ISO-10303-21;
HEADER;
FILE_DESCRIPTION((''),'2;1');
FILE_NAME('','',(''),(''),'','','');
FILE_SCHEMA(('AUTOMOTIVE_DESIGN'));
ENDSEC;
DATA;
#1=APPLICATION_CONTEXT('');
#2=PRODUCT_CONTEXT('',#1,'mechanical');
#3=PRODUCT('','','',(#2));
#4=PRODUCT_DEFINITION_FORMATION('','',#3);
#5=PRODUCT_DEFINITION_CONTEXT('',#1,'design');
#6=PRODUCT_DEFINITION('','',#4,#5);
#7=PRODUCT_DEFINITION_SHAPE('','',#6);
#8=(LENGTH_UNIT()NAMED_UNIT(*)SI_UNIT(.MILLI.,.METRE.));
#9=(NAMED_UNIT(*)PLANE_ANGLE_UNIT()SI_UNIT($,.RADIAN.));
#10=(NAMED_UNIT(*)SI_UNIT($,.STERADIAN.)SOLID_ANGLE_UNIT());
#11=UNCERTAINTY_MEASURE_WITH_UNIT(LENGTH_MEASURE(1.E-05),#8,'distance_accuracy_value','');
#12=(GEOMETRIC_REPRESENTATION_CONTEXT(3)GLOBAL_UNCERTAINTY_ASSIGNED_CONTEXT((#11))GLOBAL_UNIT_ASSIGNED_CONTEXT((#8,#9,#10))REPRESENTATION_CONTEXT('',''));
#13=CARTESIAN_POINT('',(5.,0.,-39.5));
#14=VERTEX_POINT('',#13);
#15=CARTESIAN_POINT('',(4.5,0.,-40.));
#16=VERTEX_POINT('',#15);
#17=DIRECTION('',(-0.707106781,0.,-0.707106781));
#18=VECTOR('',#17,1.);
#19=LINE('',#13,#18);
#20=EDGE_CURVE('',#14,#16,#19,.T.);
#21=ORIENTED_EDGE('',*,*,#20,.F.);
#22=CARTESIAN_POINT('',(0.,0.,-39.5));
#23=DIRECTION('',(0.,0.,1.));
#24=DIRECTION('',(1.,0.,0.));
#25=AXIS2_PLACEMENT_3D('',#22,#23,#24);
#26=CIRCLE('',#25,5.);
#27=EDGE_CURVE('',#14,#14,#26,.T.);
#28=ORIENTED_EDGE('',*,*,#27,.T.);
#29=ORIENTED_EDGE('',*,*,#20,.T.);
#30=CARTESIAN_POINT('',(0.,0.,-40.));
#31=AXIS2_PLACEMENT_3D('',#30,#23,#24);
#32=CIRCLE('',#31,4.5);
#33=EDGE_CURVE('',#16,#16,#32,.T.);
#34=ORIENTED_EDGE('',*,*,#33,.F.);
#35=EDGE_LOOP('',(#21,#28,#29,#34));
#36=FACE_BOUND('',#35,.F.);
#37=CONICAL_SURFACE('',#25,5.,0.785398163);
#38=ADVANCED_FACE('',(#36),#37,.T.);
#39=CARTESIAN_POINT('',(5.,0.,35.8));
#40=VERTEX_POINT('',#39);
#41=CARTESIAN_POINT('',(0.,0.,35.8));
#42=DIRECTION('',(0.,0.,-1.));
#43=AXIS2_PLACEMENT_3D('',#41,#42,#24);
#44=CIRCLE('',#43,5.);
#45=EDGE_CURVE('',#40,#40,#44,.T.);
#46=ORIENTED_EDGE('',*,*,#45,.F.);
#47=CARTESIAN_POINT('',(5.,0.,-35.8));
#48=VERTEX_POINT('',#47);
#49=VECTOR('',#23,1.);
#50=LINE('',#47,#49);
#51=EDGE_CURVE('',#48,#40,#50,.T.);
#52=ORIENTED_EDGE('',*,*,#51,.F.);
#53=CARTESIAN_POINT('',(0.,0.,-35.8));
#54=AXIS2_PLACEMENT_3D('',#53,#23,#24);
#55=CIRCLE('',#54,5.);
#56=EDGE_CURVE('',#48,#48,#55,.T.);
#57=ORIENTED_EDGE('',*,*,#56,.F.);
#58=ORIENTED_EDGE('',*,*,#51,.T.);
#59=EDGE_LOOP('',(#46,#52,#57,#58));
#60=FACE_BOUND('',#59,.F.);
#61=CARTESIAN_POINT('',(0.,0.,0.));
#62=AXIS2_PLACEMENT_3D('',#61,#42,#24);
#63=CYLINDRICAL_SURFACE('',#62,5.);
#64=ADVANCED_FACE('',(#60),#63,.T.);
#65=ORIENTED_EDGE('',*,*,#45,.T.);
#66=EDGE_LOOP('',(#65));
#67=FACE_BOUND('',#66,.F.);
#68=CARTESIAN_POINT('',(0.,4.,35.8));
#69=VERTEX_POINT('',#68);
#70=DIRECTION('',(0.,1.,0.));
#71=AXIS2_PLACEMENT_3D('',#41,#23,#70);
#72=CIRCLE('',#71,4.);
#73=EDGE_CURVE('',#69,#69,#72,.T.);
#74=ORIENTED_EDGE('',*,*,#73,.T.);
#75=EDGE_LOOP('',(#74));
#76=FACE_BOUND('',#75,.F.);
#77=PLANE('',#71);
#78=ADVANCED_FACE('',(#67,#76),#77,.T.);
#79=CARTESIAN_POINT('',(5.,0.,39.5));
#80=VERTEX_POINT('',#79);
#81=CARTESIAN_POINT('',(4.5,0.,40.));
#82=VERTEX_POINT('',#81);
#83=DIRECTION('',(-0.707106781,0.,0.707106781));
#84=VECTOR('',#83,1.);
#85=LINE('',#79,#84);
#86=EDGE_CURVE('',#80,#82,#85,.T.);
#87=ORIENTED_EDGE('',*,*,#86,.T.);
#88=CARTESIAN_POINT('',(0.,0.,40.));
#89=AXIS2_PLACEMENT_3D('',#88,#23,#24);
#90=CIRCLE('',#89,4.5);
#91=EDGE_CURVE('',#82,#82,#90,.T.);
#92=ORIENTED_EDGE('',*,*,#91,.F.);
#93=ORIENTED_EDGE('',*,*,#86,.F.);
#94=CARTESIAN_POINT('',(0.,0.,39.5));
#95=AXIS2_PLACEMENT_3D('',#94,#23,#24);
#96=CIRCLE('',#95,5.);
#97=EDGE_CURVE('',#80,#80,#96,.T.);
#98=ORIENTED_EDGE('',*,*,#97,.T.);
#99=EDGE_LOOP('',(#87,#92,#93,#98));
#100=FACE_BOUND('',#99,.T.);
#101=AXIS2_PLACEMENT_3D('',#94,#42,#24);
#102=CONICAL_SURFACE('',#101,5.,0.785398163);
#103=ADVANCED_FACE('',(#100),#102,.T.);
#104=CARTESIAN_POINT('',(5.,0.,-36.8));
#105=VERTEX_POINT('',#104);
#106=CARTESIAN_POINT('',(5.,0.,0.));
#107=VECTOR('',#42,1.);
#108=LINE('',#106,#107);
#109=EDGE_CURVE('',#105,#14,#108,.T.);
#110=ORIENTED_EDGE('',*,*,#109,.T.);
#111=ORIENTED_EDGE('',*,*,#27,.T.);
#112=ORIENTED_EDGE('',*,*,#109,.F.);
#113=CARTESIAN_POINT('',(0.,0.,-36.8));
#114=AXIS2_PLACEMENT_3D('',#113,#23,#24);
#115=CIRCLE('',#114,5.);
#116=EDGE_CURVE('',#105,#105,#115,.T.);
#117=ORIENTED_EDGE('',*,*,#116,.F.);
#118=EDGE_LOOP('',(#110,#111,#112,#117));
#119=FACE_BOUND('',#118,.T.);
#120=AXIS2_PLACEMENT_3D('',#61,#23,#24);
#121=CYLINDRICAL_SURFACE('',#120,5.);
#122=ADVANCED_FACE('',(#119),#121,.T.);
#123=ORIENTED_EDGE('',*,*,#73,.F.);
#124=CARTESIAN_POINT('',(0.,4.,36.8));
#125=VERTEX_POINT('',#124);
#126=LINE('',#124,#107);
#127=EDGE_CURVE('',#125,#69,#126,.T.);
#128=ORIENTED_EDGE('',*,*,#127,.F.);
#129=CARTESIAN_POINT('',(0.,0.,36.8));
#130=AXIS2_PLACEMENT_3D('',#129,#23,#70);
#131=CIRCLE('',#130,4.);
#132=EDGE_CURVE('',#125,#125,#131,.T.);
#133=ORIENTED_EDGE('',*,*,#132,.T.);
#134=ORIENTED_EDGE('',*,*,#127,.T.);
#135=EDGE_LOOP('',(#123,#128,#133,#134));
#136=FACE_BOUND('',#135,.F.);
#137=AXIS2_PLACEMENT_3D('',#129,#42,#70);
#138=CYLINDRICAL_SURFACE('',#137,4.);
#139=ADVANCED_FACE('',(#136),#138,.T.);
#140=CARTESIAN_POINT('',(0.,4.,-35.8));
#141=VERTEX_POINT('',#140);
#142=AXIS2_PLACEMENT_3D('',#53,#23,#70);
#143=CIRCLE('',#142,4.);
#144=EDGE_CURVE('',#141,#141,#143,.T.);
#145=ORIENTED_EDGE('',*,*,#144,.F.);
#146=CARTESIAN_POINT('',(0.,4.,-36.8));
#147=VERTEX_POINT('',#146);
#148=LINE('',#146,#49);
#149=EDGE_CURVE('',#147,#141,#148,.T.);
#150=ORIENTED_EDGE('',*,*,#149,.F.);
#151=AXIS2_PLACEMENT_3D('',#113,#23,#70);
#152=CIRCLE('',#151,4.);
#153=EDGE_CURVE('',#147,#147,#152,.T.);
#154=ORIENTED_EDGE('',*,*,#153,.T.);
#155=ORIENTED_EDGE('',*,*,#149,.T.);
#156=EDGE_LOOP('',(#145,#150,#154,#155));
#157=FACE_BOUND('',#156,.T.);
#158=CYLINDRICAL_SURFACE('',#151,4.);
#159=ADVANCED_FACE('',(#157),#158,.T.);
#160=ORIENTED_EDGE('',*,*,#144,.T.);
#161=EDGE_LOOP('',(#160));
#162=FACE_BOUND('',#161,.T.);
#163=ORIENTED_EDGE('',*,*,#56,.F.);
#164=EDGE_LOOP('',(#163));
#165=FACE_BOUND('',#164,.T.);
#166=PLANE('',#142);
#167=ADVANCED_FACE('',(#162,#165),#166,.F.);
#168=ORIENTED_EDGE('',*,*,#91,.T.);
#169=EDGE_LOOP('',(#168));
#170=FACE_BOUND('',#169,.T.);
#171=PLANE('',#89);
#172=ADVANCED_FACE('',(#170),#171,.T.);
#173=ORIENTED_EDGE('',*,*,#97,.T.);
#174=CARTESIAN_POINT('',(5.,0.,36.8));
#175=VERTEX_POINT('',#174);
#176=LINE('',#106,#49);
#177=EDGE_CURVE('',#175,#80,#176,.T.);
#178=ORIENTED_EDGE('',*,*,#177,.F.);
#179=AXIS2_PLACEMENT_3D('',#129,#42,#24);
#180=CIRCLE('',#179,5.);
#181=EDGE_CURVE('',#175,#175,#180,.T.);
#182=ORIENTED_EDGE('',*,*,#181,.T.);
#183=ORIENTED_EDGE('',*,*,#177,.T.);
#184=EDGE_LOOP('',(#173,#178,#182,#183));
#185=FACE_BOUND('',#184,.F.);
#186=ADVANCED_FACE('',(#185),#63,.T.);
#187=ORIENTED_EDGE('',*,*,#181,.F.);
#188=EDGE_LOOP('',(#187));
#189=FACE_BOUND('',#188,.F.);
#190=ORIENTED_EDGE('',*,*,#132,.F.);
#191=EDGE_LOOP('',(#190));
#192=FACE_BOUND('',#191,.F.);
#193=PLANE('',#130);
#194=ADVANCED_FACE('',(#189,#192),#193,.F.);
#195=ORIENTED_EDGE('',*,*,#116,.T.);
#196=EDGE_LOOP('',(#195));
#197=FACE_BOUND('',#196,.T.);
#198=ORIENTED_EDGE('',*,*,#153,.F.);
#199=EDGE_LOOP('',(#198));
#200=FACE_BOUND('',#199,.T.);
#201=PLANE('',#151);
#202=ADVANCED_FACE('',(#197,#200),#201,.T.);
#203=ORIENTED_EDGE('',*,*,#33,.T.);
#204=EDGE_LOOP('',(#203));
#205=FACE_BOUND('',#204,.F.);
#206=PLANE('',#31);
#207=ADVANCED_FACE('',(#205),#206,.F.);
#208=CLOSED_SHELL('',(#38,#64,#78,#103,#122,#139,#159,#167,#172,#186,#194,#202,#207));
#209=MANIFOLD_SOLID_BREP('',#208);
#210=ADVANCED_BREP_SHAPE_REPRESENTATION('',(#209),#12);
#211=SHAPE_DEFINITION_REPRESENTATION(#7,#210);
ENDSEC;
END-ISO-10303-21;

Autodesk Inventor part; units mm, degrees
ref_plane "YZ Plane" through (0, 0, 0) normal (1, 0, 0) x (0, 1, 0)
ref_plane "XZ Plane" through (0, 0, 0) normal (0, 1, 0) x (-1, 0, 0)
ref_plane "XY Plane" through (0, 0, 0) normal (0, 0, 1) x (1, 0, 0)
sketch "Esboço1" plane through (0, 0, 0) normal (0, 0, 1) x (1, 0, 0)
  circle A0 centre (0, 0) radius 5
  dimension "d0" = 10
extrude "Extrusão1" add sketch "Esboço1" along normal mid plane 80
sketch "Esboço2" plane through (0, 0, 0) normal (1, 0, 0) x (0, 1, 0)
  line L0 (5, -40) -> (5, 40) projected
  line L1 (5, 36.8) -> (4, 36.8)
  line L2 (4, 36.8) -> (4, 35.8)
  line L3 (4, 35.8) -> (5, 35.8)
  line L4 (5, 35.8) -> (5, 36.8)
  line L5 (4, -35.8) -> (5, -35.8)
  line L6 (5, -35.8) -> (5, -36.8)
  line L7 (5, -36.8) -> (4, -36.8)
  line L8 (4, -36.8) -> (4, -35.8)
  line L9 (5, 40) -> (-5, 40) projected
  line L10 (-5, -40) -> (5, -40) projected
  line L11 (0, -56) -> (0, 56) projected
  point P0 (0, 0)
  dimension "d3" = 4.2
  dimension "d4" = 1
  dimension "d5" = 4
  dimension "d6" = 1
  dimension "d7" = 4.2
revolve "Revolução1" cut sketch "Esboço2" angle 360 about axis through (0, 0, -10) along (0, 0, 1) contours L7 L8 L5 L0 | L3 L2 L1 L0
chamfer "Chanfro1" distance 0.5 angle 45 2 edges at (-5, 0, 40) (-5, 0, -40)
